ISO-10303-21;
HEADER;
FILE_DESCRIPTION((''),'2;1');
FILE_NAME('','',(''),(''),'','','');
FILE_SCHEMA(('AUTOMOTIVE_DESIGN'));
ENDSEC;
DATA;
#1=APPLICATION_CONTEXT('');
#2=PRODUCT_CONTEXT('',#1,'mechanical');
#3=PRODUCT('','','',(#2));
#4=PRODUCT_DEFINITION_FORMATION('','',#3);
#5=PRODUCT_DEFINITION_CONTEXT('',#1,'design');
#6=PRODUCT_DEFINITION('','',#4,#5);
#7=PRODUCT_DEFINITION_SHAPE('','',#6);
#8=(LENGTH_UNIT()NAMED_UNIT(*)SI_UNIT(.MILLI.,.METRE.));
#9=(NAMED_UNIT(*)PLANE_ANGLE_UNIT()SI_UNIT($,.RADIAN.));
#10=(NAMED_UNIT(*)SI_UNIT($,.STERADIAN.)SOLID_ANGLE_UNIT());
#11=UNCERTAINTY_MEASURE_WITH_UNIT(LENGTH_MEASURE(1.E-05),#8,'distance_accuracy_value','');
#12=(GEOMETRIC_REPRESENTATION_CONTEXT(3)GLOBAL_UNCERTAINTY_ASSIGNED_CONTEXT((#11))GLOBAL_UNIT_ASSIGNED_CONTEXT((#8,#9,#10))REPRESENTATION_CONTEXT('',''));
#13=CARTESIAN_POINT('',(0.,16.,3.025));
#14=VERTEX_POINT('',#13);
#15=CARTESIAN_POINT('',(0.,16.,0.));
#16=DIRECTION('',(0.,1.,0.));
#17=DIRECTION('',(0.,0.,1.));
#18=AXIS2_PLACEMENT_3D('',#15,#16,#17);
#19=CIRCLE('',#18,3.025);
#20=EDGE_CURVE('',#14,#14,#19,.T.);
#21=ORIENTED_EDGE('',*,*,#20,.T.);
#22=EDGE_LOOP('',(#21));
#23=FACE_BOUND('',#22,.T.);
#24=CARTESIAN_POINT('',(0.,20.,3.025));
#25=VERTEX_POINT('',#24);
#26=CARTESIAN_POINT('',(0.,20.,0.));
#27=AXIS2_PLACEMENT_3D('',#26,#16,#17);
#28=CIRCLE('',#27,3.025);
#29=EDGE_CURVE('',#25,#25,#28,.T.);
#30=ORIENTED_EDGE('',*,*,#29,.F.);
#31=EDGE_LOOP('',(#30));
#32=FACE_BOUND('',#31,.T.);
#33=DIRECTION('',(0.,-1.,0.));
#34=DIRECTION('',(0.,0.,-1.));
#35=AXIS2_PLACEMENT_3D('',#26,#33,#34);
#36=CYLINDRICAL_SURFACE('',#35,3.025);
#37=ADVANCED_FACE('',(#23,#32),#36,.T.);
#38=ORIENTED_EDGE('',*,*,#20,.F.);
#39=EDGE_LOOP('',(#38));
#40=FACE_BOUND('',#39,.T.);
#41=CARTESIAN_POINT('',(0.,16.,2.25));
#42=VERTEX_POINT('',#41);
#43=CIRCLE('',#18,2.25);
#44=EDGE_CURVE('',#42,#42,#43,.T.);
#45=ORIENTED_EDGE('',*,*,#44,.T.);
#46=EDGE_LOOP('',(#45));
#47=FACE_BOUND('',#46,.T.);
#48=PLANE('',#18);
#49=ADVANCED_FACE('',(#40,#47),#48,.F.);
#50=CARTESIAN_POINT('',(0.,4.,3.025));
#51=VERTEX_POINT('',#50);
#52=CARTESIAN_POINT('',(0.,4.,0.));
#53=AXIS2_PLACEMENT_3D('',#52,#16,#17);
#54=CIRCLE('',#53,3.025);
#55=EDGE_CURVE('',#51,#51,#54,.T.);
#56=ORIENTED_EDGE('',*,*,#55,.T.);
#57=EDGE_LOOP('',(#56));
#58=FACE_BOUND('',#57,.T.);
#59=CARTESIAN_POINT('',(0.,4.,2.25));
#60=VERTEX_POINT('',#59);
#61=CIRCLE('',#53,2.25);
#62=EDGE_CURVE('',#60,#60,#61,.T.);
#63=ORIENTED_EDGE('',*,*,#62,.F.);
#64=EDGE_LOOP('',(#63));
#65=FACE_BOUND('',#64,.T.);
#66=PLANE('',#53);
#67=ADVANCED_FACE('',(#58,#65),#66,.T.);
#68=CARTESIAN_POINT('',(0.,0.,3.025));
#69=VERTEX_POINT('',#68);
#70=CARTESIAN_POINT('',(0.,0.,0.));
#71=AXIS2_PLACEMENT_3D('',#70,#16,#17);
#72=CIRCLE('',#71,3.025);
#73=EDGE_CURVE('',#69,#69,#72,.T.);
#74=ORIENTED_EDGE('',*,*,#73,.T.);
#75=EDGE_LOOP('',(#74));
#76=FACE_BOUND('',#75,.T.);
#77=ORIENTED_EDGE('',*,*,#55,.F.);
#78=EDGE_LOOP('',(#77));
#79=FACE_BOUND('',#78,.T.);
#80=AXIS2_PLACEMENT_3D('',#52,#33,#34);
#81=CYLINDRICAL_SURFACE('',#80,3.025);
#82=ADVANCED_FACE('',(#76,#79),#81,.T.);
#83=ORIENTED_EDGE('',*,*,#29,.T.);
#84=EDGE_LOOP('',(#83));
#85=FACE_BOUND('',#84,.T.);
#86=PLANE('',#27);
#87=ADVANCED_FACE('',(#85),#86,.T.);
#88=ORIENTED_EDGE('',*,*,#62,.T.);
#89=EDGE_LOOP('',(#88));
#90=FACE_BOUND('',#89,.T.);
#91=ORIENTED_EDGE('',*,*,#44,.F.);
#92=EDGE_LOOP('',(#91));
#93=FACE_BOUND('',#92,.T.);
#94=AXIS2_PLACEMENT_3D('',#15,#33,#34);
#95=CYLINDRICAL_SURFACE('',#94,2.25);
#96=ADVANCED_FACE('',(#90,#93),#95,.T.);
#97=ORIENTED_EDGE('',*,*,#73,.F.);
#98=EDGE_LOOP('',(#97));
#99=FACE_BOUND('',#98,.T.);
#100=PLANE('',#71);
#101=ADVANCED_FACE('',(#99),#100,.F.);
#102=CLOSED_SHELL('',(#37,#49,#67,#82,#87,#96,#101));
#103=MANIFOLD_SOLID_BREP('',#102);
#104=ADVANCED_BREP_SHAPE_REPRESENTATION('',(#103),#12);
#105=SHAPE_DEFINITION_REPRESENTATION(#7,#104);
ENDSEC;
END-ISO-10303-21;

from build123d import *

# Parameters (mm, degrees)
SKETCH1_R           = 3.025
BOSS_EXTRUDE1_DEPTH = 4
SKETCH2_R           = 2.25
BOSS_EXTRUDE2_DEPTH = 12
SKETCH3_R           = 3.025
BOSS_EXTRUDE3_DEPTH = 4


with BuildPart() as part:
    # Sketch1 → Boss-Extrude1 (new body)
    with BuildSketch(Plane(origin=(0, 0, 0), x_dir=(1, 0, 0), z_dir=(0, 1, 0))):
        Circle(SKETCH1_R)
    extrude(amount=BOSS_EXTRUDE1_DEPTH)

    # Sketch2 → Boss-Extrude2 (add)
    with BuildSketch(Plane(origin=(0, 4, 0), x_dir=(1, 0, 0), z_dir=(0, 1, 0))):
        Circle(SKETCH2_R)
    extrude(amount=BOSS_EXTRUDE2_DEPTH)

    # Sketch3 → Boss-Extrude3 (add)
    with BuildSketch(Plane(origin=(0, 16, 0), x_dir=(1, 0, 0), z_dir=(0, 1, 0))):
        Circle(SKETCH3_R)
    extrude(amount=BOSS_EXTRUDE3_DEPTH)


solid = part.part
